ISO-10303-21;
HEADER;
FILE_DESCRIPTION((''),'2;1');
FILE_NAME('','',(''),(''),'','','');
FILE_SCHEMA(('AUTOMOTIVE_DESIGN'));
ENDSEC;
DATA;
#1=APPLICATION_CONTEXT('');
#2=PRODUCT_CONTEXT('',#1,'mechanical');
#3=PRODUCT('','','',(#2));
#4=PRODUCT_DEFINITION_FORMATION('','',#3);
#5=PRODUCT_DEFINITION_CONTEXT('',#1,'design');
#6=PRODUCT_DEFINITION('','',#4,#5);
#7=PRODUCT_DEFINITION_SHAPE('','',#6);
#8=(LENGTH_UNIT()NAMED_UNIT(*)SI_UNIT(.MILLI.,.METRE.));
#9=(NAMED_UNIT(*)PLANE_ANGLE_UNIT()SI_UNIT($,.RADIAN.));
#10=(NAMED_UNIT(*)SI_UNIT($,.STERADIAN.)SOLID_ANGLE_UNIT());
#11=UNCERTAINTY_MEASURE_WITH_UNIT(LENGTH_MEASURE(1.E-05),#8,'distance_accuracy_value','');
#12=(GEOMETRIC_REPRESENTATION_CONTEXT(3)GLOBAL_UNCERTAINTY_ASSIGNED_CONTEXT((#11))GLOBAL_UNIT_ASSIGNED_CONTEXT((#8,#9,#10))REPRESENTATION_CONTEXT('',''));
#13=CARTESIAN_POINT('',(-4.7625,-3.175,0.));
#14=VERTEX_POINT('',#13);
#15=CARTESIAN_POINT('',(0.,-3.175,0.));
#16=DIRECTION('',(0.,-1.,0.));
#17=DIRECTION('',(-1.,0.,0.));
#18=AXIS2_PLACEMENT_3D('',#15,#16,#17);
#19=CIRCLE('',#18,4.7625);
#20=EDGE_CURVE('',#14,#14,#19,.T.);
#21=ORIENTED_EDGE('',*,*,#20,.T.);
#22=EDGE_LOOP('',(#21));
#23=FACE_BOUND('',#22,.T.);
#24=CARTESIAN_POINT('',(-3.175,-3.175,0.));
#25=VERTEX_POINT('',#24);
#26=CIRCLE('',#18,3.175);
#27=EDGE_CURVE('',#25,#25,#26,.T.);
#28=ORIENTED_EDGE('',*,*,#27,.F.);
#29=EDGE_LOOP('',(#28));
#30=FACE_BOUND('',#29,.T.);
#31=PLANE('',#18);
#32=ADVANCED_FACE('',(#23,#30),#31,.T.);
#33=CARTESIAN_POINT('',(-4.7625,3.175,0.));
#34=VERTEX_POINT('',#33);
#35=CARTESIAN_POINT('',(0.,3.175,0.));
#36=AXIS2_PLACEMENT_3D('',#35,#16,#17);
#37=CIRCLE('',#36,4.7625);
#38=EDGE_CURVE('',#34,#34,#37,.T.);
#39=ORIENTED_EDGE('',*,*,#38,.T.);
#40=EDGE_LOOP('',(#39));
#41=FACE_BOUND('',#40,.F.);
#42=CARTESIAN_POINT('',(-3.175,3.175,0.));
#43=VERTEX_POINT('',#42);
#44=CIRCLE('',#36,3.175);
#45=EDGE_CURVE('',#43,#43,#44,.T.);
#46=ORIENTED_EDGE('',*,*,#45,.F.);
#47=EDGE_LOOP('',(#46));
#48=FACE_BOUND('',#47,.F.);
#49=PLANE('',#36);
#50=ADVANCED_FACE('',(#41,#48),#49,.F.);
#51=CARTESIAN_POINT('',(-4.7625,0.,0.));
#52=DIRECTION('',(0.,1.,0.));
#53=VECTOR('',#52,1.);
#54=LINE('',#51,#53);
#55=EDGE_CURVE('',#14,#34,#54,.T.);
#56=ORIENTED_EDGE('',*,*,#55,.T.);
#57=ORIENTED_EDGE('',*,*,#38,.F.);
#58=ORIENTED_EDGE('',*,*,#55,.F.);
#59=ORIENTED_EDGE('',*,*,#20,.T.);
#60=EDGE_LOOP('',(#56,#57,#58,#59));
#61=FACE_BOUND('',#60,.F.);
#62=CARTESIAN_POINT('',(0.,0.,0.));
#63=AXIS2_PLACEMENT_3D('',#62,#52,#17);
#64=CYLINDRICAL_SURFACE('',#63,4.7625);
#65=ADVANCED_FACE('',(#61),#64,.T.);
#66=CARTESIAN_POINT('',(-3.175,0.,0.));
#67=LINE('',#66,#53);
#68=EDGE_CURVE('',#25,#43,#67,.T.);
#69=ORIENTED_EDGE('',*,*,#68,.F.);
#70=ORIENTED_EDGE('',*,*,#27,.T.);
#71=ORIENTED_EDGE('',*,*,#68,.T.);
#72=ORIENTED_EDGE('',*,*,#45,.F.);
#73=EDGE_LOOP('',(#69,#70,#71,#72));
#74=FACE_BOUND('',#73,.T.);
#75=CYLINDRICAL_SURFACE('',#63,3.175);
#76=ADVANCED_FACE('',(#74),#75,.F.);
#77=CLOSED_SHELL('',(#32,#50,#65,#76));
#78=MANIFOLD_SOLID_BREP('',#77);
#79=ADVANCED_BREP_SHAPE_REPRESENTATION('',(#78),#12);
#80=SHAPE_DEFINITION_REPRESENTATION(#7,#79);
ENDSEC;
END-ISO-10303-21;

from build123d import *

# Parameters (mm, degrees)
SKETCH1_W = 1.5875
SKETCH1_H = 6.35


with BuildPart() as part:
    # Sketch1 → Revolve1 (revolve)
    with BuildSketch(Plane.XY):
        with Locations((-3.96875, 0)):
            Rectangle(SKETCH1_W, SKETCH1_H)
    revolve(axis=Axis((0, 3.175, 0), (0, -1, 0)))


solid = part.part
